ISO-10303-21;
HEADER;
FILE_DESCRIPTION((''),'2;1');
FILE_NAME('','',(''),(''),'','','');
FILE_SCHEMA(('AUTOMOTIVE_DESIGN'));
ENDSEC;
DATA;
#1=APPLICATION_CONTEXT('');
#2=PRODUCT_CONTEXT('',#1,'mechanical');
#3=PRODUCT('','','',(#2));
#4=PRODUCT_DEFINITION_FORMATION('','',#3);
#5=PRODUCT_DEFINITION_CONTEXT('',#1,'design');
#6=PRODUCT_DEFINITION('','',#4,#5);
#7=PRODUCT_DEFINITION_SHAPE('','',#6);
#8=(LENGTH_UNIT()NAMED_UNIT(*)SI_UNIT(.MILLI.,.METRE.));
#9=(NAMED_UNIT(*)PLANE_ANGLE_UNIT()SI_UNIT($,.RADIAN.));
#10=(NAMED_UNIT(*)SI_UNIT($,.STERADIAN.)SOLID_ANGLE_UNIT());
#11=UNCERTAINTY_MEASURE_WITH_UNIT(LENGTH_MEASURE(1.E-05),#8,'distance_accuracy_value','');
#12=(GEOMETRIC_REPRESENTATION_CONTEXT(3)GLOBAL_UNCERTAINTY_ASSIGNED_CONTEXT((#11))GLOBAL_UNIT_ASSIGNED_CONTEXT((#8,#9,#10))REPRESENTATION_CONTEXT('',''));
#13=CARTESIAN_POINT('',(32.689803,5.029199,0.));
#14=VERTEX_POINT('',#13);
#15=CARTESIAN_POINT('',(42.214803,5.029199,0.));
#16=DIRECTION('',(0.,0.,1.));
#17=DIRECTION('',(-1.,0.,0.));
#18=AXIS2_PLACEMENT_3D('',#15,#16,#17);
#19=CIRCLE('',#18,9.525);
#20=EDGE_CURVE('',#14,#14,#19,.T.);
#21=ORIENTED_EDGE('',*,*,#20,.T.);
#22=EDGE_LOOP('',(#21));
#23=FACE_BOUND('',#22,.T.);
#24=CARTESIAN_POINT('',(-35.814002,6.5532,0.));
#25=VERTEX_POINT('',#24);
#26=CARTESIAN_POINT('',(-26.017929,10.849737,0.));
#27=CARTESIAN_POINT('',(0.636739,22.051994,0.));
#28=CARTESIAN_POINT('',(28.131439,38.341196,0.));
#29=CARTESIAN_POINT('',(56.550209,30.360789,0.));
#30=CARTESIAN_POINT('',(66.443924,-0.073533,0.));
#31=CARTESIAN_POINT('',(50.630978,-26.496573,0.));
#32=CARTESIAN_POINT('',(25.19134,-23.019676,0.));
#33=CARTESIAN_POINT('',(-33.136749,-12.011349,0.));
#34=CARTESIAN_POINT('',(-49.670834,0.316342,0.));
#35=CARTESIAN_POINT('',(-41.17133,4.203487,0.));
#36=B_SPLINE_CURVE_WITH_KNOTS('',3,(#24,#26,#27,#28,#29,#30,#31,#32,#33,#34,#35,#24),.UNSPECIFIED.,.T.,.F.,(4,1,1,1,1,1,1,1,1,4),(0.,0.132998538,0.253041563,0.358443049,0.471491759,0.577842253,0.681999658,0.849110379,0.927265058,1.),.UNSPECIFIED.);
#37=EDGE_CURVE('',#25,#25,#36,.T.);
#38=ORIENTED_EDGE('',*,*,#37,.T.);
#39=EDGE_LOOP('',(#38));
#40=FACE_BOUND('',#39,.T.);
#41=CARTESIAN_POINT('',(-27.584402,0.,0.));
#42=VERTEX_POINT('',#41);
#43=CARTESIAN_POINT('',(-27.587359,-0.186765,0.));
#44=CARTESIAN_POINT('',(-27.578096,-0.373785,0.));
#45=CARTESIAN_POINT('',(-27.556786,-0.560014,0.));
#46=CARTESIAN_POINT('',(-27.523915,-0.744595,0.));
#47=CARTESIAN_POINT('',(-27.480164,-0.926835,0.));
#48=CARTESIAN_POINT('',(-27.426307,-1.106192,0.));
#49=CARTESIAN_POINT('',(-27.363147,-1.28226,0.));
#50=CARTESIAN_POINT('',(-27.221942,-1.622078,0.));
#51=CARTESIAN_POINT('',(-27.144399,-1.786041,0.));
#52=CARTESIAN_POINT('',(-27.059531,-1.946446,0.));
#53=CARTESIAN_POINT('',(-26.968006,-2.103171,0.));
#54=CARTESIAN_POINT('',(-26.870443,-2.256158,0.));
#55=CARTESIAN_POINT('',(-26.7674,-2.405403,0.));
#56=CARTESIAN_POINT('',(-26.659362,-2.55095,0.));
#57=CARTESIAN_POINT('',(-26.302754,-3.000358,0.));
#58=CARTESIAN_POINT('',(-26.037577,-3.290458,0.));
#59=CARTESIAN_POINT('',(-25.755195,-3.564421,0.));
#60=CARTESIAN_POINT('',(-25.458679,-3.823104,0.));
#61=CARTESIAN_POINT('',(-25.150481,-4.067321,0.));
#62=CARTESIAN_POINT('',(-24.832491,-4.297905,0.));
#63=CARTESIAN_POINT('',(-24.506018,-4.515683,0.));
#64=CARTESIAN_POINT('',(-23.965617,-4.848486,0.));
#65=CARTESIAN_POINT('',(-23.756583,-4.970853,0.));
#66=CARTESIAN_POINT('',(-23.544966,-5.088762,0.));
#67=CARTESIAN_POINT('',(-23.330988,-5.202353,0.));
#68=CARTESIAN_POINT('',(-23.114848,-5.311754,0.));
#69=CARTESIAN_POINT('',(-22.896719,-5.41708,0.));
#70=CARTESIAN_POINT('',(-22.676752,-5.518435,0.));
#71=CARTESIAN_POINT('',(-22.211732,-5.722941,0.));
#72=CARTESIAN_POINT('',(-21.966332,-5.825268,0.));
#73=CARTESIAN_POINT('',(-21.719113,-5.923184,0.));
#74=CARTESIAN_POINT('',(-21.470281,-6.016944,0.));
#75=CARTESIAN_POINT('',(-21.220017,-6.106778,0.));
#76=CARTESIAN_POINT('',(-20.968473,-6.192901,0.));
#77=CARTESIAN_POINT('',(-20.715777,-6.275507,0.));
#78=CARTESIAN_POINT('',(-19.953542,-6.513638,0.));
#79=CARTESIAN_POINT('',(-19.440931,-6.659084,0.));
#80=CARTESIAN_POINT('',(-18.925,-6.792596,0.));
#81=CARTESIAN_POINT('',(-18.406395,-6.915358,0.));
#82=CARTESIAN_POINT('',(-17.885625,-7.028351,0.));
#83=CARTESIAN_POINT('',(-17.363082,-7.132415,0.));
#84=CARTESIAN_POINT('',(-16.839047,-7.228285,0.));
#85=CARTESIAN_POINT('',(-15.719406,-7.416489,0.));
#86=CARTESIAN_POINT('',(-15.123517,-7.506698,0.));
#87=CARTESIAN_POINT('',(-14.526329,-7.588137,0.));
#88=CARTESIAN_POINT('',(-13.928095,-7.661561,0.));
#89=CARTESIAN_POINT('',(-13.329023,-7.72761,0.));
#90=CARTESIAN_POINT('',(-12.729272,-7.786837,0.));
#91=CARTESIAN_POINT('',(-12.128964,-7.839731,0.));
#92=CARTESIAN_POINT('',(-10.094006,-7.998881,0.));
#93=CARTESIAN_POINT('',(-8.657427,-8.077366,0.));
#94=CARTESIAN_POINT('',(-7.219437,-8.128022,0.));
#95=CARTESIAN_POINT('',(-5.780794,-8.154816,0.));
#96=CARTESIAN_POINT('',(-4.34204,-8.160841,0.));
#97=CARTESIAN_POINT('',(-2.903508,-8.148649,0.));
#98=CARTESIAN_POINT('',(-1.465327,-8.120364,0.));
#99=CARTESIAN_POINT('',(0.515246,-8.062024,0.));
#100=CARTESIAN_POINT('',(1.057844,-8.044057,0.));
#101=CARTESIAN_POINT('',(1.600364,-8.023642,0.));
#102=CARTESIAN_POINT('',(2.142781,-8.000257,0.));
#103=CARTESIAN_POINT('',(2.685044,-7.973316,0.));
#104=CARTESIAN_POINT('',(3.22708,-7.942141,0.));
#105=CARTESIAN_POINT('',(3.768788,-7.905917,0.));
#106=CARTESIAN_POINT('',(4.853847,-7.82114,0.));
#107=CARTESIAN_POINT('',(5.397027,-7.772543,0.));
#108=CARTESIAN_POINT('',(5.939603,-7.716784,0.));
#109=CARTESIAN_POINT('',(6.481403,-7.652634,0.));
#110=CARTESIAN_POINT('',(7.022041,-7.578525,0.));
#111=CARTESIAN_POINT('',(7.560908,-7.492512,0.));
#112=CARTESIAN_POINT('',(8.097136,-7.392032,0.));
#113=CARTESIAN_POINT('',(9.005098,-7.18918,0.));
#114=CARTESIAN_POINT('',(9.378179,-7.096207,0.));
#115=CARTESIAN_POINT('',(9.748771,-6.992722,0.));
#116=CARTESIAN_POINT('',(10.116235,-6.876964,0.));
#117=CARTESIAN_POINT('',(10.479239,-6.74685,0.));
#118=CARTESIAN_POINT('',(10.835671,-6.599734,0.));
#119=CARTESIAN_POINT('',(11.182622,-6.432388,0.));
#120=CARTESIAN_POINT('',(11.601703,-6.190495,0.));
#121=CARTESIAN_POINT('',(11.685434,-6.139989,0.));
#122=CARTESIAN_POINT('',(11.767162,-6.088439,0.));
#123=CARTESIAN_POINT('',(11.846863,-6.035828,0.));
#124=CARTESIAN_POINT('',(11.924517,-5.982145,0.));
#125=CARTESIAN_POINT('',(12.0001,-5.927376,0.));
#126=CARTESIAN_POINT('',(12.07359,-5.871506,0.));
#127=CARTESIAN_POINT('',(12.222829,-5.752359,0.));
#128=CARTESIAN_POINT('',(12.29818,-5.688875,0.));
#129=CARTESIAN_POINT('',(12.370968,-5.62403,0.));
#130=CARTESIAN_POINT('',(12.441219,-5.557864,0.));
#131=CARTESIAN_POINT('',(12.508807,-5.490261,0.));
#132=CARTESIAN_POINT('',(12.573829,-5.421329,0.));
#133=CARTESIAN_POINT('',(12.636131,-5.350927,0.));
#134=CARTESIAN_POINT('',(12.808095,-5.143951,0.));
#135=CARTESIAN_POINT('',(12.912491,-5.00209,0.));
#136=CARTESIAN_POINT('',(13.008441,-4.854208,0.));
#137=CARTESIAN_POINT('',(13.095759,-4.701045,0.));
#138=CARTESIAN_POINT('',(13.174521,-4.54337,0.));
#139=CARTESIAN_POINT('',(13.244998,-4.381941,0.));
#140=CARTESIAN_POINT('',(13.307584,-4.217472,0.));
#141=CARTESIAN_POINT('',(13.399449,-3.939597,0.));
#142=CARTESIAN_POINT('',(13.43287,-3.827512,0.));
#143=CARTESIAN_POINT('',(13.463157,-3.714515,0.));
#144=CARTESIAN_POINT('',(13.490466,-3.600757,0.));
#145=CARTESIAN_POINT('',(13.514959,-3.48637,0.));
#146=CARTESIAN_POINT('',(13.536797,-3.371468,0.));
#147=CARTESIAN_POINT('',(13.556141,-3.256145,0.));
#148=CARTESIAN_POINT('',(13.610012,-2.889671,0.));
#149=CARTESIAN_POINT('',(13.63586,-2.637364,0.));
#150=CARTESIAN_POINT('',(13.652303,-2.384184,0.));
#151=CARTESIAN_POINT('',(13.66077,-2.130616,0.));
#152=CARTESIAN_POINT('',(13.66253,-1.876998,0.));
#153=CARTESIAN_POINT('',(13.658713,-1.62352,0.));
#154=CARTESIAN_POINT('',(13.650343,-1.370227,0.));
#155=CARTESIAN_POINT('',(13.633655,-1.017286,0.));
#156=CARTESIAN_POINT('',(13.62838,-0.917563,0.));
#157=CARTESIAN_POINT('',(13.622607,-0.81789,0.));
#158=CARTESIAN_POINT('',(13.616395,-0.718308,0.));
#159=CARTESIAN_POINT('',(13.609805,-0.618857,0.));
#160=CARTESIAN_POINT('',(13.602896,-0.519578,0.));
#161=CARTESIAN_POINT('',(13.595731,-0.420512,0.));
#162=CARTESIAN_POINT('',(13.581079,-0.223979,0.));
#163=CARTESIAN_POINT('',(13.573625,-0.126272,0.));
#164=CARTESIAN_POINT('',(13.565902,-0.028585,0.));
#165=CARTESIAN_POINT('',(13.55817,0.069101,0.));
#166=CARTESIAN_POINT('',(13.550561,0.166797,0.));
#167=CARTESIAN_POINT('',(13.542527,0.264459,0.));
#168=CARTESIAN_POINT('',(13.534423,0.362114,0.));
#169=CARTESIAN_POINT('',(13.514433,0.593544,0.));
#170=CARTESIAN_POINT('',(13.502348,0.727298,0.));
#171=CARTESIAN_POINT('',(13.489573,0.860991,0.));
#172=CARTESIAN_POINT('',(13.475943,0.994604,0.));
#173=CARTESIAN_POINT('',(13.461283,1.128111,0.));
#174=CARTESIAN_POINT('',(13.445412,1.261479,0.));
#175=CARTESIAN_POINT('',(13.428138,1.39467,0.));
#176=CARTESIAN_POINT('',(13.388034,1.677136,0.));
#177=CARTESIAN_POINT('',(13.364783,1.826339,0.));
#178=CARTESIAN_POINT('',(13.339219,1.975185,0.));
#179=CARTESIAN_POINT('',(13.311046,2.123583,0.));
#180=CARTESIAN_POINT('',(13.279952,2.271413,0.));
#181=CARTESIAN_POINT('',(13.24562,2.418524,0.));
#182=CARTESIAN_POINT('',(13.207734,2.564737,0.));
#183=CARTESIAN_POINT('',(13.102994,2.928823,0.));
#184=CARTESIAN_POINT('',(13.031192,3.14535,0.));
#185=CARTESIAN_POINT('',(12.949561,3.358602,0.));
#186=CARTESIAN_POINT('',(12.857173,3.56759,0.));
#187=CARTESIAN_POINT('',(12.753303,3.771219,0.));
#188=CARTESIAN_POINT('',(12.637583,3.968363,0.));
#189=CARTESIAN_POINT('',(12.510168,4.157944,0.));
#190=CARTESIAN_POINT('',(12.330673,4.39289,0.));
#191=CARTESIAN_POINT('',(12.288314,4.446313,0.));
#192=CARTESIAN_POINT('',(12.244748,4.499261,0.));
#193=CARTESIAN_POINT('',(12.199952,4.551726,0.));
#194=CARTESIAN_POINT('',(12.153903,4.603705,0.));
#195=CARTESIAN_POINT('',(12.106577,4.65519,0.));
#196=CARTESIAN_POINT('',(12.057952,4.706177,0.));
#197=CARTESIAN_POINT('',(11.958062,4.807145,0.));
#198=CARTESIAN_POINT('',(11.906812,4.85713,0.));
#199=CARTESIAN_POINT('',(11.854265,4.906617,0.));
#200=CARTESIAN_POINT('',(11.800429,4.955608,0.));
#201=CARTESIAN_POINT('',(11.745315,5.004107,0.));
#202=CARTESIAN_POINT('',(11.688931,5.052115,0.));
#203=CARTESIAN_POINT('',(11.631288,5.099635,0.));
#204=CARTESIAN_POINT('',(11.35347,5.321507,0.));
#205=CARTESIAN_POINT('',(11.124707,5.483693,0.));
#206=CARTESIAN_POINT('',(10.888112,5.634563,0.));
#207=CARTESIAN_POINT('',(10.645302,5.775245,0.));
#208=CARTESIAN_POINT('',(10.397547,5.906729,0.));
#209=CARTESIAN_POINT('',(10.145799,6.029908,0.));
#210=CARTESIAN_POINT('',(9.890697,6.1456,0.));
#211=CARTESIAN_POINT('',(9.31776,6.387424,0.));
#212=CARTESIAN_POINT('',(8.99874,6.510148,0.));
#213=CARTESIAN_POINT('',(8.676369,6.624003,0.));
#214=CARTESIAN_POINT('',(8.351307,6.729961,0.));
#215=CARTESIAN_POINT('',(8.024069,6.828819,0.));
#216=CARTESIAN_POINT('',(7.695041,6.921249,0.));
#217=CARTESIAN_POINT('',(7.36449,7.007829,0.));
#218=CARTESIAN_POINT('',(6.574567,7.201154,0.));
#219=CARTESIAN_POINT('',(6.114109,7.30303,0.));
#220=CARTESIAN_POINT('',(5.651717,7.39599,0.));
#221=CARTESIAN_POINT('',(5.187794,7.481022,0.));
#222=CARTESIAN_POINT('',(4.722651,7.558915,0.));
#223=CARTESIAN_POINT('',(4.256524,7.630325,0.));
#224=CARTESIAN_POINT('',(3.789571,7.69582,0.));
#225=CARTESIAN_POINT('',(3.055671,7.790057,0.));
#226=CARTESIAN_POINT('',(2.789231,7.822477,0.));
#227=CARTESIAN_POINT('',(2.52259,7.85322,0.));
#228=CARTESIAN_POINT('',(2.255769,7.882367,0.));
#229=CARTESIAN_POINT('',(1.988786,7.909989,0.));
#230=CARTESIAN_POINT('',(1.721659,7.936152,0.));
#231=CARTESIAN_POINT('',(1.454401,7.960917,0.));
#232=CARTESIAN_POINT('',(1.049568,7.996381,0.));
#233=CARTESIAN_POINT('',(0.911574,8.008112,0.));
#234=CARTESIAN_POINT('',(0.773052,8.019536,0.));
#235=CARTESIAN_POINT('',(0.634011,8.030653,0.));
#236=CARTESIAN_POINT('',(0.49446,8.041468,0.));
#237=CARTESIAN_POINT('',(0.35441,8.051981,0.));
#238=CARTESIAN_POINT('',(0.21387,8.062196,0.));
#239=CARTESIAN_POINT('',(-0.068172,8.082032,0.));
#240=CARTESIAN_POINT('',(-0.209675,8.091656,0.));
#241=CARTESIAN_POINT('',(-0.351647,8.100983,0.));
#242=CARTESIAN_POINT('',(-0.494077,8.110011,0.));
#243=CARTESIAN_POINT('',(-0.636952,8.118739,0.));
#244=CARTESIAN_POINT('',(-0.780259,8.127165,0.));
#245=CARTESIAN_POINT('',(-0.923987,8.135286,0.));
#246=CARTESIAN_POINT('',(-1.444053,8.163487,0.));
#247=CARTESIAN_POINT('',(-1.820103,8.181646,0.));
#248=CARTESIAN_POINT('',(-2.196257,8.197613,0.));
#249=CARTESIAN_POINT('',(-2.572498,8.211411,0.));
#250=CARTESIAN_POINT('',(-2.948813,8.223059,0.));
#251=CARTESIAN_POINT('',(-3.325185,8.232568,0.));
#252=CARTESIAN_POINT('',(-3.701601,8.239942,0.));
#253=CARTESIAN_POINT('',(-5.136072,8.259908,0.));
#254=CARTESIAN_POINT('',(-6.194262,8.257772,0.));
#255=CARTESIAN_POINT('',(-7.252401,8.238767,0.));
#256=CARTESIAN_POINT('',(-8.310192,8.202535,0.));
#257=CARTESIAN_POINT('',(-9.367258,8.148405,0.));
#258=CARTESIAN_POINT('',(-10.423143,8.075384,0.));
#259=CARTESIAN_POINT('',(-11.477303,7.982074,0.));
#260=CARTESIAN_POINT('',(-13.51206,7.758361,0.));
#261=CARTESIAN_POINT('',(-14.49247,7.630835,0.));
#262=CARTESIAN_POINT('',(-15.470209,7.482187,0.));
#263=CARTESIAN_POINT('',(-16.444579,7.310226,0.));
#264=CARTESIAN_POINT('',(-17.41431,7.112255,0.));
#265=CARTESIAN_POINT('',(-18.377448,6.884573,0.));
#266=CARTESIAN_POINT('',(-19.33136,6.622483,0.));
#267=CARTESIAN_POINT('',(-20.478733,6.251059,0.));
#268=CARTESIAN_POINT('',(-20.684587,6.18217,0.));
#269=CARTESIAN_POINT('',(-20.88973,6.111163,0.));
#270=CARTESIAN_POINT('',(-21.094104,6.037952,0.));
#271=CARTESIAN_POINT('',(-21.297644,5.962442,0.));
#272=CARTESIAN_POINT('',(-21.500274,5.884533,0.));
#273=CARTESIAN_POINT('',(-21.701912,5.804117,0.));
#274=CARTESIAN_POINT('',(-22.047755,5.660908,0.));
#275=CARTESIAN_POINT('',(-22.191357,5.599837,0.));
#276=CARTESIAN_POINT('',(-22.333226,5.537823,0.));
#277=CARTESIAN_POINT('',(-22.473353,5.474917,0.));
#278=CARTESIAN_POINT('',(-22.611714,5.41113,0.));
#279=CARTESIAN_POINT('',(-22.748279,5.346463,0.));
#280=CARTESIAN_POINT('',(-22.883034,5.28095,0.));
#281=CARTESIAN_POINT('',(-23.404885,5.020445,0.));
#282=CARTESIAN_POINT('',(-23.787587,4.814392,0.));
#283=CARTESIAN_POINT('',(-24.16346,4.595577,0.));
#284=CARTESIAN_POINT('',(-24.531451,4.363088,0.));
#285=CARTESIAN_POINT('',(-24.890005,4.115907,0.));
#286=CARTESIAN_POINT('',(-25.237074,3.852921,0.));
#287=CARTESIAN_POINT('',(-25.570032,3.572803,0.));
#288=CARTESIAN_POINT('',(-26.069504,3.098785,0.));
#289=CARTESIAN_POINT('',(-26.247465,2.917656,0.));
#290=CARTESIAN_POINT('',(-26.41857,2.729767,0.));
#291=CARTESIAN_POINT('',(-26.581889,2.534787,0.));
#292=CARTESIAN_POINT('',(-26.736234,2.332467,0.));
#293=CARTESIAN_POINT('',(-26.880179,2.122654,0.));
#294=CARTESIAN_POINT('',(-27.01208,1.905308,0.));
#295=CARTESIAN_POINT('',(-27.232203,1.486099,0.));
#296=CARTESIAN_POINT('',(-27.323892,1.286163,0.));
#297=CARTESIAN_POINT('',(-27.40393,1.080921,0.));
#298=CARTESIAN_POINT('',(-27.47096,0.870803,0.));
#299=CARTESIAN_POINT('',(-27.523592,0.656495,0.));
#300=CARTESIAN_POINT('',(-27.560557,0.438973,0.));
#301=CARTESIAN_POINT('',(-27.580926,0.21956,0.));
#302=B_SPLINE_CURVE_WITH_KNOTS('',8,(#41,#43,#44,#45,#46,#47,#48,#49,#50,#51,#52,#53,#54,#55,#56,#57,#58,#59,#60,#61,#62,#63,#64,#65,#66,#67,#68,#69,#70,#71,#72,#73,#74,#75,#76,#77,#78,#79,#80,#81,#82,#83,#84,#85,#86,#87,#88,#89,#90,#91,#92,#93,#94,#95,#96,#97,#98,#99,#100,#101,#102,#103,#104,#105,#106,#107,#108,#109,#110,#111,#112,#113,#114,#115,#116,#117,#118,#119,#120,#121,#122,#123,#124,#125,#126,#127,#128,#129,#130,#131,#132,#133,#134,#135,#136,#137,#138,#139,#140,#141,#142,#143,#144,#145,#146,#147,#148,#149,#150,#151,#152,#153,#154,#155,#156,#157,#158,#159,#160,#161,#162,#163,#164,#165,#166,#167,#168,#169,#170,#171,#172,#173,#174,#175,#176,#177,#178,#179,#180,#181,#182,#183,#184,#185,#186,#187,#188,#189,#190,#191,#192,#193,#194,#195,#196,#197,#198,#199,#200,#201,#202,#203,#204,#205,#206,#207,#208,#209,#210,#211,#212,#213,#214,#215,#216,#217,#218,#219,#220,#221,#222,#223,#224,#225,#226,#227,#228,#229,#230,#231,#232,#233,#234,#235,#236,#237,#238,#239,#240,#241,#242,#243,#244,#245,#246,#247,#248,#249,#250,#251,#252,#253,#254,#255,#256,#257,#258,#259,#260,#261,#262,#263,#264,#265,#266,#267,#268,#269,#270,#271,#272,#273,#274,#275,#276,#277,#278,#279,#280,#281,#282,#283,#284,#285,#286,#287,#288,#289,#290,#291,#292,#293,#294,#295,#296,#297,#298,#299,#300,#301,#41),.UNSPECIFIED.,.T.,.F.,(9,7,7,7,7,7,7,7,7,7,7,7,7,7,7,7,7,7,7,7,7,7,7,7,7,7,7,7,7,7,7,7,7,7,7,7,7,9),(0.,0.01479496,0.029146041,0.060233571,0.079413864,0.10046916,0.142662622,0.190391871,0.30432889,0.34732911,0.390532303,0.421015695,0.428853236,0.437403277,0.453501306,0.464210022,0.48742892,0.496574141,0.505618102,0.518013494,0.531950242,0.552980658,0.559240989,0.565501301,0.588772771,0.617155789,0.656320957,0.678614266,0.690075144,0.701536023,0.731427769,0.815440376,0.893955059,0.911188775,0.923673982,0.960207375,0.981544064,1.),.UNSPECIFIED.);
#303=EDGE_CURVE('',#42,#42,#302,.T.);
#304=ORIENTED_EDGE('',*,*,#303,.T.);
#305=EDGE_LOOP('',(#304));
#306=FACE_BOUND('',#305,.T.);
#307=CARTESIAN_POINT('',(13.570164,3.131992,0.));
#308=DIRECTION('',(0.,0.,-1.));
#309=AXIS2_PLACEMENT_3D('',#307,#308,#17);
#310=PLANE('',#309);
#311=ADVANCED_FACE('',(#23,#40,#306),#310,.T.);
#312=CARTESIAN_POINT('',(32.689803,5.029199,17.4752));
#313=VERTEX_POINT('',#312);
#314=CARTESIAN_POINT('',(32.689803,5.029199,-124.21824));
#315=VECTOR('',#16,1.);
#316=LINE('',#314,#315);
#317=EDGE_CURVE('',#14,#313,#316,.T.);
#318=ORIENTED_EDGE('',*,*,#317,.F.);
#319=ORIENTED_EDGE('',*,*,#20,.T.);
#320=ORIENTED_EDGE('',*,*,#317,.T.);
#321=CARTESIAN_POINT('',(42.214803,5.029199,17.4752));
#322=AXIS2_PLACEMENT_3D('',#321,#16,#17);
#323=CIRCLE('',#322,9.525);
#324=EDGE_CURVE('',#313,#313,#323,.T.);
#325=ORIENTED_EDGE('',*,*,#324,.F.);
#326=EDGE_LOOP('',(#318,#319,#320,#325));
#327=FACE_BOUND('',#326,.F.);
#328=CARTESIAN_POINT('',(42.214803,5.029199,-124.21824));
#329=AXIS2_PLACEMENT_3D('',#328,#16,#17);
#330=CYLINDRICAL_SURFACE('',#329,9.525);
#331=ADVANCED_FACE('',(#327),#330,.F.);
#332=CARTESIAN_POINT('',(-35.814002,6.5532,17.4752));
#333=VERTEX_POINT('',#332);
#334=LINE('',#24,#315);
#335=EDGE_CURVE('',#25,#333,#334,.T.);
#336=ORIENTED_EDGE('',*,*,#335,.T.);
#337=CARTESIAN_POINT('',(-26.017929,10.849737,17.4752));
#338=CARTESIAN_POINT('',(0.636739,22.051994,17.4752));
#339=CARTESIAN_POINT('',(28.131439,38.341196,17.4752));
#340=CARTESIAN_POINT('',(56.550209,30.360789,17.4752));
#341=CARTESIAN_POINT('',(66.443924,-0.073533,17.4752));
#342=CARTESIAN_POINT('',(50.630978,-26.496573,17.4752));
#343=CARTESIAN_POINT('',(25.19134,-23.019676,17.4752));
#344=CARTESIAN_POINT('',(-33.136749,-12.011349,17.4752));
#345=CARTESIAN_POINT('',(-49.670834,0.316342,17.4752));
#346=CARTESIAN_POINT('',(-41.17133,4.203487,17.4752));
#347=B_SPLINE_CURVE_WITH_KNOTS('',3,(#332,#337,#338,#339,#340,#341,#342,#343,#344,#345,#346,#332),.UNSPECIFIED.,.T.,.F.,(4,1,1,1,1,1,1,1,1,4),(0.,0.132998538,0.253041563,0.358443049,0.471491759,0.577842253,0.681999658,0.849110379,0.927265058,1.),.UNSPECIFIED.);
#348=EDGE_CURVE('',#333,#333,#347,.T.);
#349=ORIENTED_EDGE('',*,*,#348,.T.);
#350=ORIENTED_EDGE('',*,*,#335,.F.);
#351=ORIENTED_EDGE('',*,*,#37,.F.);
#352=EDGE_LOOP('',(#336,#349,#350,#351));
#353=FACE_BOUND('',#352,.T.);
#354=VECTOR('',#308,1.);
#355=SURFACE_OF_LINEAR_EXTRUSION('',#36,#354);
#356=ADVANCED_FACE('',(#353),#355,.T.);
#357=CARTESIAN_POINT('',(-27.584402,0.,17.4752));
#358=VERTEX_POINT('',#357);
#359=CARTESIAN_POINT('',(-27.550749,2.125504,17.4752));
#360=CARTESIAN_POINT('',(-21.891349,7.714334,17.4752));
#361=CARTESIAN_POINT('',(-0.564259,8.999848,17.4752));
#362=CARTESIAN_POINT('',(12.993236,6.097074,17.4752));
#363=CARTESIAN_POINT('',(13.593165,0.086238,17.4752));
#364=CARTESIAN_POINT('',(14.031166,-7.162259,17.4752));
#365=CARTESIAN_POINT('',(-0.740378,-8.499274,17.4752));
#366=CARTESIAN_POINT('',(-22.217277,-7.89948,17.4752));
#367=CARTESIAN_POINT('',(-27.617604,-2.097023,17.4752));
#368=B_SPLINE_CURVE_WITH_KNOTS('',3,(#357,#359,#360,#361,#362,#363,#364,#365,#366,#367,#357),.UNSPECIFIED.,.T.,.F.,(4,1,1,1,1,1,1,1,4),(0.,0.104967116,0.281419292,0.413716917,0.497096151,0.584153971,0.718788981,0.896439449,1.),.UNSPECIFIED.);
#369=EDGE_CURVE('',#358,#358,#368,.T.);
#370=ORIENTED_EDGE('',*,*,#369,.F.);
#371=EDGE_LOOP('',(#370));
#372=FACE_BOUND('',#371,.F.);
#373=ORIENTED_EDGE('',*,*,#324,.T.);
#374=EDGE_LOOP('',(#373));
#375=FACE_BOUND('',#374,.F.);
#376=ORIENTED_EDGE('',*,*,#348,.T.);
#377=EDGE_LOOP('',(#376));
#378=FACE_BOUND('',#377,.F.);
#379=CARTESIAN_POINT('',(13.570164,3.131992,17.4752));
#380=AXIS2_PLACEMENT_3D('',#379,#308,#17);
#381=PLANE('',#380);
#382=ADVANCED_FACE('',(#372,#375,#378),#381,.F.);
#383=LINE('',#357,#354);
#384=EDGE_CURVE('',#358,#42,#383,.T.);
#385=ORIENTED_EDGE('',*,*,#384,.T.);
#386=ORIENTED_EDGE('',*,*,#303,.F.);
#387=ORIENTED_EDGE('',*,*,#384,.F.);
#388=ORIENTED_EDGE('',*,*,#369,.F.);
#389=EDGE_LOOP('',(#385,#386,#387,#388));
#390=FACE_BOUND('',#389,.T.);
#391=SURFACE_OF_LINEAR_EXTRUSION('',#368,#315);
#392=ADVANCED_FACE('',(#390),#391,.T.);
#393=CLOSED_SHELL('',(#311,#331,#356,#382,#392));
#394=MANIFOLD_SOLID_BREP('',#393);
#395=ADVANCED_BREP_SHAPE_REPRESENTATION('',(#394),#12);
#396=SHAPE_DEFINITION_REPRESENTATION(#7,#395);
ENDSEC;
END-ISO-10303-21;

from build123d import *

# Parameters (mm, degrees)
F1_DEPTH = 17.4752
F3_D     = 19.05
F5_DEPTH = 25.4


with BuildPart() as f1:
    # F0 (on Top) → F1 (new body)
    with BuildSketch(Plane.XY):
        with BuildLine():
            add(Edge.make_bspline(
                [(-35.8140021563, 6.5532000735), (-26.01792948, 10.8497371811), (0.6367386791, 22.0519937024), (28.1314390892, 38.3411955784), (56.5502085026, 30.3607887235), (66.4439237773, -0.0735330623), (50.630978069, -26.496573497), (25.1913402122, -23.0196762868), (-33.1367492763, -12.0113490798), (-49.6708335343, 0.3163423372), (-41.1713300912, 4.2034871804), (-35.8140021563, 6.5532000735)],
                knots=[0, 0, 0, 0, 0.1329985376, 0.2530415627, 0.3584430486, 0.4714917585, 0.5778422527, 0.6819996585, 0.8491103792, 0.9272650577, 1, 1, 1, 1], degree=3))
        make_face()
    extrude(amount=F1_DEPTH)

    # F3 (through all)
    with Locations(Plane(origin=(0, 0, 0), x_dir=(1, 0, 0), z_dir=(0, 0, -1))):
        with Locations((42.2148033977, -5.0291987136)):
            Hole(F3_D / 2)

    # F4 (on face) → F5 (cut)
    with BuildSketch(Plane.XY.offset(17.4752)):
        with BuildLine():
            add(Edge.make_bspline(
                [(-27.5844018906, 0), (-27.5507493224, 2.1255044238), (-21.8913491715, 7.7143338616), (-0.5642589736, 8.9998477353), (12.9932361403, 6.0970741089), (13.5931648031, 0.086238229), (14.0311659127, -7.1622592385), (-0.7403775961, -8.4992740368), (-22.2172768981, -7.8994797777), (-27.6176035126, -2.0970225493), (-27.5844018906, 0)],
                knots=[0, 0, 0, 0, 0.1049671161, 0.2814192915, 0.413716917, 0.4970961508, 0.5841539713, 0.7187889807, 0.8964394489, 1, 1, 1, 1], degree=3))
        make_face()
    extrude(amount=-F5_DEPTH, mode=Mode.SUBTRACT)


solid = f1.part
